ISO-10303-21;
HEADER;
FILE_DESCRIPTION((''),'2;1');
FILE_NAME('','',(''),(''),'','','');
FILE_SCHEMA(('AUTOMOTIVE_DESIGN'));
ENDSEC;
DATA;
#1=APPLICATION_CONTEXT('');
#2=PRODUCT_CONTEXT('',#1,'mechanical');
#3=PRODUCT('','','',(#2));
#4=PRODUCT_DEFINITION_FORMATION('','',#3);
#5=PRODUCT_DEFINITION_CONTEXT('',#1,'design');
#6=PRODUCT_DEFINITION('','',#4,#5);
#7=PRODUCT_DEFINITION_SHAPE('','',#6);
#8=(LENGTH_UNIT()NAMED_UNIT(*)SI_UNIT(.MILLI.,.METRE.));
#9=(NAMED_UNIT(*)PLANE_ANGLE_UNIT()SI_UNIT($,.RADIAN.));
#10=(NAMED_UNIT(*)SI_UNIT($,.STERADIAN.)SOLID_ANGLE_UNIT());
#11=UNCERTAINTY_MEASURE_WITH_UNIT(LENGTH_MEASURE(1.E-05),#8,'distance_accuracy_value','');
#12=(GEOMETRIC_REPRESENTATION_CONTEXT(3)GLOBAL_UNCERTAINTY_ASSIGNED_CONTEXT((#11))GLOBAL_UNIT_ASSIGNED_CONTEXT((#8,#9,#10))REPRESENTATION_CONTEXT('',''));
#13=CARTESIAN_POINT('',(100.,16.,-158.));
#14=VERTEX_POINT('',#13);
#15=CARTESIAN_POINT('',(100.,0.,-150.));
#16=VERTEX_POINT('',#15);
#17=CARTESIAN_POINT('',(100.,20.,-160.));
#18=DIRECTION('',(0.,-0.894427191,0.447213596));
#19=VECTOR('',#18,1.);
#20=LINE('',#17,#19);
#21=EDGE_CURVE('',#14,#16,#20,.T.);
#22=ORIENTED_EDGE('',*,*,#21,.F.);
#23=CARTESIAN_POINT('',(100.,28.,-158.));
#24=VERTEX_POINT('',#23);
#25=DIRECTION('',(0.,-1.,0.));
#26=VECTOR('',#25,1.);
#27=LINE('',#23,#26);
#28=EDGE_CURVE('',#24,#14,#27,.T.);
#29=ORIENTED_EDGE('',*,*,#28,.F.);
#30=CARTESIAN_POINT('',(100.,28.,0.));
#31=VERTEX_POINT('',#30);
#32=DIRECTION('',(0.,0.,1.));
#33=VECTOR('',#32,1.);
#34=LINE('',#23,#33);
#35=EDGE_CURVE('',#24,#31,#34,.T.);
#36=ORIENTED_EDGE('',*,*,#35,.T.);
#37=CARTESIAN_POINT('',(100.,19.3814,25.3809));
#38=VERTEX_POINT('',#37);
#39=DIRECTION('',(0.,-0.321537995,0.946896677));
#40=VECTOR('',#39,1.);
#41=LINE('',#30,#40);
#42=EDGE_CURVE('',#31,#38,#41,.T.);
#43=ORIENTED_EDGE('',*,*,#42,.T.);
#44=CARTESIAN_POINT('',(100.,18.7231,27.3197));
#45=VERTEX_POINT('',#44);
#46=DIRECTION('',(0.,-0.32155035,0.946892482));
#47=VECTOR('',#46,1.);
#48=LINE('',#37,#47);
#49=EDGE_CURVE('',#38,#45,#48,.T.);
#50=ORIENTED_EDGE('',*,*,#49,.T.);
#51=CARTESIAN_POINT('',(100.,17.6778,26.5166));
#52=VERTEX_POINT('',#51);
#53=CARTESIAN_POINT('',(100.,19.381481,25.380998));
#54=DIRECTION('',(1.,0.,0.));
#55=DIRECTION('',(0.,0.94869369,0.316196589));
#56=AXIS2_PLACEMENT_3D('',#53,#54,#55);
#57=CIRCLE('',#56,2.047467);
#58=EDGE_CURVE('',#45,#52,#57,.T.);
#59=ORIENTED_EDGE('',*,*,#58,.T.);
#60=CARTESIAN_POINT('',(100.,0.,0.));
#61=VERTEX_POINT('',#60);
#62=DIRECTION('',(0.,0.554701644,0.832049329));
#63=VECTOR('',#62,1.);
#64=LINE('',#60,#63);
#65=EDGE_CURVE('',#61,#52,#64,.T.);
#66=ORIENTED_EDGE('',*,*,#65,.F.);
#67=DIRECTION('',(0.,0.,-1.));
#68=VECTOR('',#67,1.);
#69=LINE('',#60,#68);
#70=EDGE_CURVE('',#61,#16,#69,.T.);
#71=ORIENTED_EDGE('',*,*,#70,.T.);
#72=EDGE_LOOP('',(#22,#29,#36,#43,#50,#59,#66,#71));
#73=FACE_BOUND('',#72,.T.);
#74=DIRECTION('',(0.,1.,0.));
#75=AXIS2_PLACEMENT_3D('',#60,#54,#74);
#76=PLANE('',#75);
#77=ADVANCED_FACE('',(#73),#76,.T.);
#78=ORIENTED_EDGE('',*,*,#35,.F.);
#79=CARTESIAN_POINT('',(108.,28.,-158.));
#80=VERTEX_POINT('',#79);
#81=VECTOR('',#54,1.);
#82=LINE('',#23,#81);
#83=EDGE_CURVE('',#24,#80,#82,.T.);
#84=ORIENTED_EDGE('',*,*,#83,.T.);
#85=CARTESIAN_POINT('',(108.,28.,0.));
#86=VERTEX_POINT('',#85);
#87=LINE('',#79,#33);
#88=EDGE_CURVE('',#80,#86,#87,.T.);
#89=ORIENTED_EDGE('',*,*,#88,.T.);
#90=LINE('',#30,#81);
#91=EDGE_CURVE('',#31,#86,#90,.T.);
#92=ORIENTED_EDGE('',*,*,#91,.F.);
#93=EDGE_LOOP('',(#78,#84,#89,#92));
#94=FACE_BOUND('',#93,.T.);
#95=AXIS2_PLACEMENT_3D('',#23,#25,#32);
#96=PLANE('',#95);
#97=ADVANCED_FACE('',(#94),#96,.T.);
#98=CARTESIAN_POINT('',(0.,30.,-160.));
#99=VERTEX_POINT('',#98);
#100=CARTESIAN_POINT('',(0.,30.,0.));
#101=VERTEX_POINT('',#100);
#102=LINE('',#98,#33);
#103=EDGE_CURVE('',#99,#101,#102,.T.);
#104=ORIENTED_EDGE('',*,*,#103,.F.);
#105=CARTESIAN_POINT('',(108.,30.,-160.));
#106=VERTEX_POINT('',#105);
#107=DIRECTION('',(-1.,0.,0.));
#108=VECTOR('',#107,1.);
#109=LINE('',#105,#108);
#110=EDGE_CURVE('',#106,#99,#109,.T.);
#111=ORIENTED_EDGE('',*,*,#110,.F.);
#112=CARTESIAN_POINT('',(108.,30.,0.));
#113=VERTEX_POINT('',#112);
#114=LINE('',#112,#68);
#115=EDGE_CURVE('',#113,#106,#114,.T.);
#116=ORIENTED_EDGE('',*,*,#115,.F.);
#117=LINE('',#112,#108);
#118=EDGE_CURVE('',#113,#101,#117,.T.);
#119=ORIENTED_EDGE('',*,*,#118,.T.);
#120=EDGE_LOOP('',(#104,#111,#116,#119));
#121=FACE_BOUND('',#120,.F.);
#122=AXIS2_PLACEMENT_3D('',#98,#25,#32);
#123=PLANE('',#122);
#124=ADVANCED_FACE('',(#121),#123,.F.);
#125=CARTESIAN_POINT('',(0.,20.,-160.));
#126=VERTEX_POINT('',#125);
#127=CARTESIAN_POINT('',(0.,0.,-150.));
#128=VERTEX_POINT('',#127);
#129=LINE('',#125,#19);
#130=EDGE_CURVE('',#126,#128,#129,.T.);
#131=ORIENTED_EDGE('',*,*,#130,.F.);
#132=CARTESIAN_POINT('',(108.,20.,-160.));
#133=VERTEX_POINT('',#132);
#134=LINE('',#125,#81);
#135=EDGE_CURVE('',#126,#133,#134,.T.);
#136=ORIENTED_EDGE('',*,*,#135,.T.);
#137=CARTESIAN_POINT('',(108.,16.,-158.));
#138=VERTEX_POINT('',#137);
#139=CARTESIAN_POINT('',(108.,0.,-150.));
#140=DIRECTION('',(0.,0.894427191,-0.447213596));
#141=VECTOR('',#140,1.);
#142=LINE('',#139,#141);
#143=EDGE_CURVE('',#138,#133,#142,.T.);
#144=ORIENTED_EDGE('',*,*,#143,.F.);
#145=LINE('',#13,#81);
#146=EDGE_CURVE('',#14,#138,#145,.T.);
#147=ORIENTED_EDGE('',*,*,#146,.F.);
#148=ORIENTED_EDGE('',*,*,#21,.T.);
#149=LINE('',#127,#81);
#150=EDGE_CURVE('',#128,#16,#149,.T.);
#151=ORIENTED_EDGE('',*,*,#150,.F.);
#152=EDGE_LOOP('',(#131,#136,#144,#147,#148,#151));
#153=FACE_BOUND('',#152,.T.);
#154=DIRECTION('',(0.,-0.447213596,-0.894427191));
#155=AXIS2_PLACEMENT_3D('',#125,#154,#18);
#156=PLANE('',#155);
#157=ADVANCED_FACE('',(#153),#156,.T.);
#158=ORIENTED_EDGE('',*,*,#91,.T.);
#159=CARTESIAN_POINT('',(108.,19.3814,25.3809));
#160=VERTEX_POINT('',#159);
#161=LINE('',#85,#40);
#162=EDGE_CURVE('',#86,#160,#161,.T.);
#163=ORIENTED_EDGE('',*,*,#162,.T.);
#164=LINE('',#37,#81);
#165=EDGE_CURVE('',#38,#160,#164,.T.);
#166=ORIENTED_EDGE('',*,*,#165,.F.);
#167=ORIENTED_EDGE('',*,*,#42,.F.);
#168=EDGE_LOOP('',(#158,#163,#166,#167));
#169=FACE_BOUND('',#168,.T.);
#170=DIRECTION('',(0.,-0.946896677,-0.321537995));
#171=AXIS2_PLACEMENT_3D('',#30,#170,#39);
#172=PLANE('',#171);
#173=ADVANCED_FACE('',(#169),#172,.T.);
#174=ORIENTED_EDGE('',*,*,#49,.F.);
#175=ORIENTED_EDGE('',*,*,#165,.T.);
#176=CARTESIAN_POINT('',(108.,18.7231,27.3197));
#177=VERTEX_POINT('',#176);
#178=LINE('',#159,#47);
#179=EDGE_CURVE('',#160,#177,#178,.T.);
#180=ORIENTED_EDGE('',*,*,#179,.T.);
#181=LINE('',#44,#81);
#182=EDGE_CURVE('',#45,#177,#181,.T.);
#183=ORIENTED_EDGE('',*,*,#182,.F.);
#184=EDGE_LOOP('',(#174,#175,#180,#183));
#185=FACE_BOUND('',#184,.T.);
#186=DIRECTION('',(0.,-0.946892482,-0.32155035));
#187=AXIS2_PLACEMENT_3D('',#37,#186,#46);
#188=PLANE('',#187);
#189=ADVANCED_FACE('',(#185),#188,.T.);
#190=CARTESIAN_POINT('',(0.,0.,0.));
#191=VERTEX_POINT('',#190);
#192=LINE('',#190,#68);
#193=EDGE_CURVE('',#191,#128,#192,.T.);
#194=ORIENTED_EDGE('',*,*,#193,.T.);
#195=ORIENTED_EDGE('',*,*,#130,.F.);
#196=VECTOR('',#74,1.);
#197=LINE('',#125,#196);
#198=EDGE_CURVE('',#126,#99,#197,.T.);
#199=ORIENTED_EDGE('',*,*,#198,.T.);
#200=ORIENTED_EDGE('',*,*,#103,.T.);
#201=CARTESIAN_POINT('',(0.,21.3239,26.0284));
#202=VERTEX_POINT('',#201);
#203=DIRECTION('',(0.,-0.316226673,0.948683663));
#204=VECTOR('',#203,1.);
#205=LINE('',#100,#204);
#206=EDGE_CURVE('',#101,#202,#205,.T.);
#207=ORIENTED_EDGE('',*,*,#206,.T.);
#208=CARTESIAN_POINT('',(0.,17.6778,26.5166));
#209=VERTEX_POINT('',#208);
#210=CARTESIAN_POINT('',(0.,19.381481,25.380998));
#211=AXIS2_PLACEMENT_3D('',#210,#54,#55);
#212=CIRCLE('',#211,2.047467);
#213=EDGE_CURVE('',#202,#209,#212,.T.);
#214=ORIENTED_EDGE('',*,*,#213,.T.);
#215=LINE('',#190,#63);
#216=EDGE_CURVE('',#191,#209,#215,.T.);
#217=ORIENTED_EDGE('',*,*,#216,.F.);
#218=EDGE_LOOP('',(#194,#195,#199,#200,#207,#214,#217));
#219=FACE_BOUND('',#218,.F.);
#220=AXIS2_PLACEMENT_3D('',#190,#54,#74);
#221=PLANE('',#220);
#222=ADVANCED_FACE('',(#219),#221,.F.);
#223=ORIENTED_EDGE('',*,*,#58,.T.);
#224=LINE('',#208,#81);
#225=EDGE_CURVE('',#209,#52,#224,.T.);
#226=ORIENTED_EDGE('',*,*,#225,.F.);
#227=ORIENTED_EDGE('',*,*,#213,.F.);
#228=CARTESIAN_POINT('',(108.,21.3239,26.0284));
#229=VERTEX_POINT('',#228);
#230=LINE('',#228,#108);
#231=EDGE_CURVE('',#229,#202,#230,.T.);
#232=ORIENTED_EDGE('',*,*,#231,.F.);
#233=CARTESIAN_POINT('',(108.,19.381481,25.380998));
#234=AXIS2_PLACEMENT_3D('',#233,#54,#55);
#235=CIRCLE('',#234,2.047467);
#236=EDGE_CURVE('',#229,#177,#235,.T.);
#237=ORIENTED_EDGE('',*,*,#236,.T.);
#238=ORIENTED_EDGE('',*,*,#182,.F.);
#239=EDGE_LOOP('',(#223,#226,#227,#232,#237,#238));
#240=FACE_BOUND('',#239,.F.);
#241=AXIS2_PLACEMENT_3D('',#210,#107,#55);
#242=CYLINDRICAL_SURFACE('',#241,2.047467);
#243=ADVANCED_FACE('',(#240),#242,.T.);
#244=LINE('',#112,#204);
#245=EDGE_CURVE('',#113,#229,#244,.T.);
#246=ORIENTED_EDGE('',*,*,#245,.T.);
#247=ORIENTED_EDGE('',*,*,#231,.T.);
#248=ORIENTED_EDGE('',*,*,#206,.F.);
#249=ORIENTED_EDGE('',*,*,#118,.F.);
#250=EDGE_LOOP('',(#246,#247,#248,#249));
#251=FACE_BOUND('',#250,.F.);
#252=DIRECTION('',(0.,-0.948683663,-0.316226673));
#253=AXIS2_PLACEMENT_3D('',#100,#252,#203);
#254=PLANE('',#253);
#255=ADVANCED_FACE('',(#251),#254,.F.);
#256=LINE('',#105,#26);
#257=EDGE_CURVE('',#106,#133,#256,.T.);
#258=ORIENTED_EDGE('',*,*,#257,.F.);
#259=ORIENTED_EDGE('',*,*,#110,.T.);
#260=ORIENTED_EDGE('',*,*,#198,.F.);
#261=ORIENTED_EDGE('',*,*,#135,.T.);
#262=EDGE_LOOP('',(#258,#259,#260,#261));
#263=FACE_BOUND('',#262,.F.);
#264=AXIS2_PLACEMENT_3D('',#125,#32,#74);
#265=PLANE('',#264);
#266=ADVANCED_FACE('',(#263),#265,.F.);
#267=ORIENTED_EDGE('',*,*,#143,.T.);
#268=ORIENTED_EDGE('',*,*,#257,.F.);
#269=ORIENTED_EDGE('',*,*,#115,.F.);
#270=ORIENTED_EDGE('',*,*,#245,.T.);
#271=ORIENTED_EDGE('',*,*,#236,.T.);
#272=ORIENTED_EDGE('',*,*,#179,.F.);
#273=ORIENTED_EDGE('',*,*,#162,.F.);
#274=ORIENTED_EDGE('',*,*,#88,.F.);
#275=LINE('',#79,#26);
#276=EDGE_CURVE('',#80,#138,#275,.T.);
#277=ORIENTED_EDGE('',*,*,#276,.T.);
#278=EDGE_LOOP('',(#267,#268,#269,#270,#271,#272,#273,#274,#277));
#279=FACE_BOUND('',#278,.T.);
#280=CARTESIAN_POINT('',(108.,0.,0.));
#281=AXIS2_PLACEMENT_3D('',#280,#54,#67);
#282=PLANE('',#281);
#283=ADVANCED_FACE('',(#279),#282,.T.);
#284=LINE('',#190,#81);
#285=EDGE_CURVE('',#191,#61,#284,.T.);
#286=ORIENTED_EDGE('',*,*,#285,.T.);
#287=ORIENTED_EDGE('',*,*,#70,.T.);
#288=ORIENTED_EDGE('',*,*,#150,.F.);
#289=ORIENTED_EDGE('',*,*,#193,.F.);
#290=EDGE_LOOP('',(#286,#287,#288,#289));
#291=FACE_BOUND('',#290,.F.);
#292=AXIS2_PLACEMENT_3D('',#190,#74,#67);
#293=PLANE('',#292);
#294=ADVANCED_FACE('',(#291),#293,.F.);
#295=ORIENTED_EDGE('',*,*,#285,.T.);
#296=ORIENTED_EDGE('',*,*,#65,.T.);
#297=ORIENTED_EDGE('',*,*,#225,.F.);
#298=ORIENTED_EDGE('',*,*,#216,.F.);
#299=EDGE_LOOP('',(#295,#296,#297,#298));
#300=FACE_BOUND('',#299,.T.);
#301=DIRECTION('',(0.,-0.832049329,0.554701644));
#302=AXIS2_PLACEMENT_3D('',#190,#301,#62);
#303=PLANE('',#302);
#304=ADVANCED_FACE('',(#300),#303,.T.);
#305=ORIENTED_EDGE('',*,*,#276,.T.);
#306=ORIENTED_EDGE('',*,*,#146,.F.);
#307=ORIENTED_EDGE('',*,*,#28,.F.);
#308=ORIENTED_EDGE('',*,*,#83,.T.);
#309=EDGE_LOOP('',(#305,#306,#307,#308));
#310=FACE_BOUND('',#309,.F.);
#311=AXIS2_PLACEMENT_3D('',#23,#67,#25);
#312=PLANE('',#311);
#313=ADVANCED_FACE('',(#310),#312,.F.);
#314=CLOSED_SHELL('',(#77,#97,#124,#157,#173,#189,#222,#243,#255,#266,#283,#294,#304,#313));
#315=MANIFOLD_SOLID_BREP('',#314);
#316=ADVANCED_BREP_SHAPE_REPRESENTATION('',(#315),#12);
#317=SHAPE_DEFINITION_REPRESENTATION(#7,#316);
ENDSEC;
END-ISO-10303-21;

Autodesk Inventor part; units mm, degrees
ref_plane "YZ Plane" through (0, 0, 0) normal (1, 0, 0) x (0, 1, 0)
ref_plane "XZ Plane" through (0, 0, 0) normal (0, 1, 0) x (-1, 0, 0)
ref_plane "XY Plane" through (0, 0, 0) normal (0, 0, 1) x (1, 0, 0)
sketch "Sketch1" plane through (0, 0, 0) normal (1, 0, 0) x (0, 1, 0)
  line L0 (0, 0) -> (0, -150)
  line L1 (20, -160) -> (0, -150)
  line L2 (30, 0) -> (21.3239, 26.0284)
  arc A0 (21.3239, 26.0284) -> (17.6778, 26.5166) centre (19.3814, 25.3809) ccw
  line L3 (0, 0) -> (17.6778, 26.5166)
  line L4 (20, -160) -> (30, -160)
  line L5 (30, -160) -> (30, 0)
  dimension "d0" = 150
  dimension "d4" = 30
extrude "Extrusion1" add sketch "Sketch1" along normal blind 100
sketch "Sketch2" plane through (100, 0, 0) normal (1, 0, 0) x (0, 0, -1)
  line L0 (0, 30) -> (160, 30)
  line L1 (160, 30) -> (160, 20)
  line L2 (0, 30) -> (-26.0284, 21.3239)
  line L3 (0, 30) -> (-26.0284, 21.3239) projected
  arc A0 (-26.0284, 21.3239) -> (-26.5166, 17.6778) centre (-25.3809, 19.3814) ccw projected
  arc A1 (-26.0284, 21.3239) -> (-27.3197, 18.7231) centre (-25.3809, 19.3814) ccw
  line L4 (160, 20) -> (160, 30) projected
  line L5 (158, 28) -> (0, 28)
  line L6 (0, 28) -> (-25.3809, 19.3814)
  line L7 (-25.3809, 19.3814) -> (-27.4284, 18.6861)
  line L8 (158, 28) -> (158, 16)
  line L9 (150, 0) -> (160, 20) projected
  line L10 (160, 20) -> (158, 16)
  point P0 (0, 0)
  dimension "d7" = 2
extrude "Extrusion2" add sketch "Sketch2" along normal blind 8
sketch "Sketch3" plane through (0, 30, 0) normal (0, 1, 0) x (1, 0, 0)
  point P0 (0, 0)
properties part number "Tank body"
